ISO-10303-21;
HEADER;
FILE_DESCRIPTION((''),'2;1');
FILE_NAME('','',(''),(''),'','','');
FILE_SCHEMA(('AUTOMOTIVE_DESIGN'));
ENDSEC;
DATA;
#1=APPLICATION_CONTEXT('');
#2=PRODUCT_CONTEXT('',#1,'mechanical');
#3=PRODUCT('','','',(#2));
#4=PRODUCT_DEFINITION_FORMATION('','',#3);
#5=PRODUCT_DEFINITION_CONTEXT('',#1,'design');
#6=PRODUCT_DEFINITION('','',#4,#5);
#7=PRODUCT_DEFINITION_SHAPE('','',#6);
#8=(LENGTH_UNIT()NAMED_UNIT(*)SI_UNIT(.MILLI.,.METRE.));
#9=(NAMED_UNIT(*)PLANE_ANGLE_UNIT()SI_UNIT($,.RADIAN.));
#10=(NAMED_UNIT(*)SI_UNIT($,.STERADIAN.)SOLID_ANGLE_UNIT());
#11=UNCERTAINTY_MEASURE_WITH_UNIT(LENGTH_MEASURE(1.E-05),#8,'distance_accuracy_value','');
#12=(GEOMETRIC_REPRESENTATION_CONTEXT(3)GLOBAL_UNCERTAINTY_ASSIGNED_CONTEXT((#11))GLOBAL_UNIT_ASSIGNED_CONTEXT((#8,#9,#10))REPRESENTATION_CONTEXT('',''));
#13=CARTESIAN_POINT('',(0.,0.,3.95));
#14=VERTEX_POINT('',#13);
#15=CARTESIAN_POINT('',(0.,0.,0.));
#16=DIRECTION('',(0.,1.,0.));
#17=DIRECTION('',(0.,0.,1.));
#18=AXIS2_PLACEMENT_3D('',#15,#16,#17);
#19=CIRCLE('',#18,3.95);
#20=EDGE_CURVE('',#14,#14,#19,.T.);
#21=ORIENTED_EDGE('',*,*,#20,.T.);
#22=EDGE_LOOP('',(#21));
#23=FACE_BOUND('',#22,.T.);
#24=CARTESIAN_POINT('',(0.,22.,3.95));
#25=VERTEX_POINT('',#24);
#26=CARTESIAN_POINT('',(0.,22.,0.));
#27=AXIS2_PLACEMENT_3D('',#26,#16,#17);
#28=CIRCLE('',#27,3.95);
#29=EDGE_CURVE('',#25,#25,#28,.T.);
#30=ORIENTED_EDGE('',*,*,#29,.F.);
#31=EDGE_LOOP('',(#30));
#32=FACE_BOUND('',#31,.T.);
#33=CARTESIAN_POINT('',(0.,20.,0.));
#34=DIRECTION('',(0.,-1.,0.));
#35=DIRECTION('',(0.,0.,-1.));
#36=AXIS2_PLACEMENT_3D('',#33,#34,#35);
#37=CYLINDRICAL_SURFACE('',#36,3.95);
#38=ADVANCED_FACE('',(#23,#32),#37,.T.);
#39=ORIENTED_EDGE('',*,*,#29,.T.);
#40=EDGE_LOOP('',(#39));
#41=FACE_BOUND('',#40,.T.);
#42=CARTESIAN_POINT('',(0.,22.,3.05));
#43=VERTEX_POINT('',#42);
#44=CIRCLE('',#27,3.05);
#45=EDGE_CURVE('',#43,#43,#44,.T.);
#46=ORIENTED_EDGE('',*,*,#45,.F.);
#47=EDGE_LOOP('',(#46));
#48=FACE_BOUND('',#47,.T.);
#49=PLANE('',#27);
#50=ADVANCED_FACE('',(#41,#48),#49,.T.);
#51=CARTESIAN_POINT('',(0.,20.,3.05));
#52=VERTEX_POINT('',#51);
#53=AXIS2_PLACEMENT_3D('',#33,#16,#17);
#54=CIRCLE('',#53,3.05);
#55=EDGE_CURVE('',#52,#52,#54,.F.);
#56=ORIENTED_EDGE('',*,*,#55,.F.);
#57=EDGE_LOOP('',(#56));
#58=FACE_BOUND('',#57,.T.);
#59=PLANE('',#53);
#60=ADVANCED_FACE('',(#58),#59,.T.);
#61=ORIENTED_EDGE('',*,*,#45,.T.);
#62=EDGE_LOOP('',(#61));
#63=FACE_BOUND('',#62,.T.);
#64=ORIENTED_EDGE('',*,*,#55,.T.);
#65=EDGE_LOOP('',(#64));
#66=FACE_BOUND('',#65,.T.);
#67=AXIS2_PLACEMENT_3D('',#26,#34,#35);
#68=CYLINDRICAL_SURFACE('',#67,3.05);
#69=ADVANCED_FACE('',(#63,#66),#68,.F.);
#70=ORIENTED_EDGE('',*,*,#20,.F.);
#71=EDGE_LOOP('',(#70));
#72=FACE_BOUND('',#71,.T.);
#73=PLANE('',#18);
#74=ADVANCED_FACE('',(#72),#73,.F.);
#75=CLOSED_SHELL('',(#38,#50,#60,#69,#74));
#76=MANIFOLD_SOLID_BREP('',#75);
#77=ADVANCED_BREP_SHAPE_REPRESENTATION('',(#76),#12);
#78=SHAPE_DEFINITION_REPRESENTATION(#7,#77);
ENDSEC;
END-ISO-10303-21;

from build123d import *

# Parameters (mm, degrees)
SKETCH_2_R      = 3.95
EXTRUDE_1_DEPTH = 20
SKETCH_8_R      = 3.95
SKETCH_8_R_2    = 3.05
EXTRUDE_3_DEPTH = 2


with BuildPart() as part:
    # 草图2 → 凸台-拉伸1 (new body)
    with BuildSketch(Plane(origin=(0, 0, 0), x_dir=(1, 0, 0), z_dir=(0, 1, 0))):
        with Locations(Location((0, 0, 0), (0, 0, 270))):
            Circle(SKETCH_2_R)
    extrude(amount=EXTRUDE_1_DEPTH)

    # 草图8 → 凸台-拉伸3 (add)
    with BuildSketch(Plane(origin=(0, 20, 0), x_dir=(1, 0, 0), z_dir=(0, 1, 0))):
        with Locations(Location((0, 0, 0), (0, 0, 270))):
            Circle(SKETCH_8_R)
        with Locations(Location((0, 0, 0), (0, 0, 270))):
            Circle(SKETCH_8_R_2, mode=Mode.SUBTRACT)
    extrude(amount=EXTRUDE_3_DEPTH)


solid = part.part
